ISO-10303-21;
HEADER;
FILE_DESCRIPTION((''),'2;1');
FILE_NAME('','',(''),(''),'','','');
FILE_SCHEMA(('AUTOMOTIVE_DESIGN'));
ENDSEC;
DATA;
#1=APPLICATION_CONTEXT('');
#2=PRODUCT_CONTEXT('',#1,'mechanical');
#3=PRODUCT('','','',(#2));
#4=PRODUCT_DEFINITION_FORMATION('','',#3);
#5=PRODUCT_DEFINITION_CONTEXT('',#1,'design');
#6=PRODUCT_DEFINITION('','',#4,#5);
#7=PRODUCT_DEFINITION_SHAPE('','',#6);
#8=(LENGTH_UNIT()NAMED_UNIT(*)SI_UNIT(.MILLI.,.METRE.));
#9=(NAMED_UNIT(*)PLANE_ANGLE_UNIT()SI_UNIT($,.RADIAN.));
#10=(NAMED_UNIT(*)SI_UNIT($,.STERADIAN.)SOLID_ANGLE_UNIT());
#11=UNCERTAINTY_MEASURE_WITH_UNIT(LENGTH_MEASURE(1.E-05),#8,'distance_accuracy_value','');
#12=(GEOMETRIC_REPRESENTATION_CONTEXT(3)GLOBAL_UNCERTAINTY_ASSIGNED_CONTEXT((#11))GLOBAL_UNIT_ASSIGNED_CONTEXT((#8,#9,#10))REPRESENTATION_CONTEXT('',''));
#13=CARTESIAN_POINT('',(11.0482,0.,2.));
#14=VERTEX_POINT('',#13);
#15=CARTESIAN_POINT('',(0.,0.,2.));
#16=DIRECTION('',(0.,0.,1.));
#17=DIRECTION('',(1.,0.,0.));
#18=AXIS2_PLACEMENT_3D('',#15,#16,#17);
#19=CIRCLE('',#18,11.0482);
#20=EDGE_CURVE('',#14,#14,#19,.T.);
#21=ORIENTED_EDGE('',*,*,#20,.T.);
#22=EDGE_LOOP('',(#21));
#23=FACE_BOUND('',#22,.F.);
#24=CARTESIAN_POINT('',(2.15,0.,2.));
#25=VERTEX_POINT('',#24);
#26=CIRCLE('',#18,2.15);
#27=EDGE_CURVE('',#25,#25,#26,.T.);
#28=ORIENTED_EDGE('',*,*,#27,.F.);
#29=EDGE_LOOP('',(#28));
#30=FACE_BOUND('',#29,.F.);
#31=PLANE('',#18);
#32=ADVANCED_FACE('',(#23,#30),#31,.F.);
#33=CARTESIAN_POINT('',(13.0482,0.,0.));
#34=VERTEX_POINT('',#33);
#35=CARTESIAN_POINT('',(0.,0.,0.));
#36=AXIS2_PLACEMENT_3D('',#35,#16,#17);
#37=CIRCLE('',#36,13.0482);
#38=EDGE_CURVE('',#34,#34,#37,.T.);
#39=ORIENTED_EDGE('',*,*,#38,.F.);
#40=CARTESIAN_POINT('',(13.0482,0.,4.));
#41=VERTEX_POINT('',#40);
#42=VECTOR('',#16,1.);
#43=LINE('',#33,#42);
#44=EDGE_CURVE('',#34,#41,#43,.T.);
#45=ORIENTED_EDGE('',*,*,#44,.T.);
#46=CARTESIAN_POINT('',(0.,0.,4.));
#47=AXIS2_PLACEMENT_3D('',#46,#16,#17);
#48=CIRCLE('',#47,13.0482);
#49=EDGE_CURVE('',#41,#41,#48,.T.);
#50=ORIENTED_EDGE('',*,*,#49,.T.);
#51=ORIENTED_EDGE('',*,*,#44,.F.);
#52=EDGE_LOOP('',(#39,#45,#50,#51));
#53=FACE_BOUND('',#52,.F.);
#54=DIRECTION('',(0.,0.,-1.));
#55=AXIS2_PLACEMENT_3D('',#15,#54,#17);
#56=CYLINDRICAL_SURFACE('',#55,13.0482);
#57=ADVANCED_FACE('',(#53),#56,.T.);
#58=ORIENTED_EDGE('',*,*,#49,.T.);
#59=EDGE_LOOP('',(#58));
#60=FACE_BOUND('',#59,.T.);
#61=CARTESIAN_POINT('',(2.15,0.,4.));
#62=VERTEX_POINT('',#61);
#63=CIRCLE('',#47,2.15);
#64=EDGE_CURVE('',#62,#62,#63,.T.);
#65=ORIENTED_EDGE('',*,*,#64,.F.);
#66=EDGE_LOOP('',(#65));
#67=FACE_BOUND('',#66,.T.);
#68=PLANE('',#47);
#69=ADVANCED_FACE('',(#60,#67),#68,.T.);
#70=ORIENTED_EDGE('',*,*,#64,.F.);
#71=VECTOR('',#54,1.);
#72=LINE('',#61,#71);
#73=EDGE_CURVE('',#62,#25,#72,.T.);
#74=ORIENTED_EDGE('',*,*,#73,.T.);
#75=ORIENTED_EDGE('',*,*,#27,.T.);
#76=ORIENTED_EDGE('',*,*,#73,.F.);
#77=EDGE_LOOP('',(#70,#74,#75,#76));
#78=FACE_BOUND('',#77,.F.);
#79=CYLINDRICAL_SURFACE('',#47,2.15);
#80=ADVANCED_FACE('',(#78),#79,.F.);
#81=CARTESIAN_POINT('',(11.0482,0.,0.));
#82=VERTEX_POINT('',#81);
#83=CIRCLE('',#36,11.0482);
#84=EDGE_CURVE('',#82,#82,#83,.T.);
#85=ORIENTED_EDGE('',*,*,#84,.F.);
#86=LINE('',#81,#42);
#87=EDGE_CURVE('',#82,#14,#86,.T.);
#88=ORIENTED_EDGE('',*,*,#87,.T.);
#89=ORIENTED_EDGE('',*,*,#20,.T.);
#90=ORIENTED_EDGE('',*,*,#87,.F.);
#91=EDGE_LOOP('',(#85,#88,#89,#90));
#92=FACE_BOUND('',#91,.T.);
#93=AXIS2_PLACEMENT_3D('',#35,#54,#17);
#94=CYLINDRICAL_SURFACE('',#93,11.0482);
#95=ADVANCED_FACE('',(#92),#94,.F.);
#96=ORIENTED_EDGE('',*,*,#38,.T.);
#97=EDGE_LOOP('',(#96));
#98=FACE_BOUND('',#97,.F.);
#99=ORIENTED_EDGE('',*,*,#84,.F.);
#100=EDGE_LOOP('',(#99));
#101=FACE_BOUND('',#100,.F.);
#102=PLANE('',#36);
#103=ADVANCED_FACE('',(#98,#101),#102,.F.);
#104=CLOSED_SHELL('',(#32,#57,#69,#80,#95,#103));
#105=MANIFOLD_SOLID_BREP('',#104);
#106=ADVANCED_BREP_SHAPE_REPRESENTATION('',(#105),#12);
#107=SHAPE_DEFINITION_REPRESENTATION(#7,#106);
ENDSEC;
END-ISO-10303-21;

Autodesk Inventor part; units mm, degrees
ref_plane "YZ Plane" through (0, 0, 0) normal (1, 0, 0) x (0, 1, 0)
ref_plane "XZ Plane" through (0, 0, 0) normal (0, 1, 0) x (-1, 0, 0)
ref_plane "XY Plane" through (0, 0, 0) normal (0, 0, 1) x (1, 0, 0)
sketch "Sketch1" plane through (0, 0, 0) normal (0, 0, 1) x (1, 0, 0)
  circle A0 centre (0, 0) radius 13.0482 projected
  circle A1 centre (0, 0) radius 12.0482 projected
  circle A2 centre (0, 0) radius 11.0482 projected
  point P0 (0, 0)
extrude "Extrusion1" add sketch "Sketch1" along normal blind 2 contours A0 | A1
sketch "Sketch2" plane through (0, 0, 2) normal (0, 0, 1) x (1, 0, 0)
  circle A0 centre (0, 0) radius 13.0482 projected
  circle A1 centre (0, 0) radius 13.0482
extrude "Extrusion2" add sketch "Sketch2" along normal blind 2
sketch "Sketch3" plane through (0, 0, 4) normal (0, 0, 1) x (1, 0, 0)
  circle A0 centre (0, 0) radius 13.0482 projected
  circle A1 centre (0, 0) radius 2.15
  dimension "d4" = 4.3
extrude "Extrusion3" cut sketch "Sketch3" against normal through all contours A1
properties part number "EndCap"
